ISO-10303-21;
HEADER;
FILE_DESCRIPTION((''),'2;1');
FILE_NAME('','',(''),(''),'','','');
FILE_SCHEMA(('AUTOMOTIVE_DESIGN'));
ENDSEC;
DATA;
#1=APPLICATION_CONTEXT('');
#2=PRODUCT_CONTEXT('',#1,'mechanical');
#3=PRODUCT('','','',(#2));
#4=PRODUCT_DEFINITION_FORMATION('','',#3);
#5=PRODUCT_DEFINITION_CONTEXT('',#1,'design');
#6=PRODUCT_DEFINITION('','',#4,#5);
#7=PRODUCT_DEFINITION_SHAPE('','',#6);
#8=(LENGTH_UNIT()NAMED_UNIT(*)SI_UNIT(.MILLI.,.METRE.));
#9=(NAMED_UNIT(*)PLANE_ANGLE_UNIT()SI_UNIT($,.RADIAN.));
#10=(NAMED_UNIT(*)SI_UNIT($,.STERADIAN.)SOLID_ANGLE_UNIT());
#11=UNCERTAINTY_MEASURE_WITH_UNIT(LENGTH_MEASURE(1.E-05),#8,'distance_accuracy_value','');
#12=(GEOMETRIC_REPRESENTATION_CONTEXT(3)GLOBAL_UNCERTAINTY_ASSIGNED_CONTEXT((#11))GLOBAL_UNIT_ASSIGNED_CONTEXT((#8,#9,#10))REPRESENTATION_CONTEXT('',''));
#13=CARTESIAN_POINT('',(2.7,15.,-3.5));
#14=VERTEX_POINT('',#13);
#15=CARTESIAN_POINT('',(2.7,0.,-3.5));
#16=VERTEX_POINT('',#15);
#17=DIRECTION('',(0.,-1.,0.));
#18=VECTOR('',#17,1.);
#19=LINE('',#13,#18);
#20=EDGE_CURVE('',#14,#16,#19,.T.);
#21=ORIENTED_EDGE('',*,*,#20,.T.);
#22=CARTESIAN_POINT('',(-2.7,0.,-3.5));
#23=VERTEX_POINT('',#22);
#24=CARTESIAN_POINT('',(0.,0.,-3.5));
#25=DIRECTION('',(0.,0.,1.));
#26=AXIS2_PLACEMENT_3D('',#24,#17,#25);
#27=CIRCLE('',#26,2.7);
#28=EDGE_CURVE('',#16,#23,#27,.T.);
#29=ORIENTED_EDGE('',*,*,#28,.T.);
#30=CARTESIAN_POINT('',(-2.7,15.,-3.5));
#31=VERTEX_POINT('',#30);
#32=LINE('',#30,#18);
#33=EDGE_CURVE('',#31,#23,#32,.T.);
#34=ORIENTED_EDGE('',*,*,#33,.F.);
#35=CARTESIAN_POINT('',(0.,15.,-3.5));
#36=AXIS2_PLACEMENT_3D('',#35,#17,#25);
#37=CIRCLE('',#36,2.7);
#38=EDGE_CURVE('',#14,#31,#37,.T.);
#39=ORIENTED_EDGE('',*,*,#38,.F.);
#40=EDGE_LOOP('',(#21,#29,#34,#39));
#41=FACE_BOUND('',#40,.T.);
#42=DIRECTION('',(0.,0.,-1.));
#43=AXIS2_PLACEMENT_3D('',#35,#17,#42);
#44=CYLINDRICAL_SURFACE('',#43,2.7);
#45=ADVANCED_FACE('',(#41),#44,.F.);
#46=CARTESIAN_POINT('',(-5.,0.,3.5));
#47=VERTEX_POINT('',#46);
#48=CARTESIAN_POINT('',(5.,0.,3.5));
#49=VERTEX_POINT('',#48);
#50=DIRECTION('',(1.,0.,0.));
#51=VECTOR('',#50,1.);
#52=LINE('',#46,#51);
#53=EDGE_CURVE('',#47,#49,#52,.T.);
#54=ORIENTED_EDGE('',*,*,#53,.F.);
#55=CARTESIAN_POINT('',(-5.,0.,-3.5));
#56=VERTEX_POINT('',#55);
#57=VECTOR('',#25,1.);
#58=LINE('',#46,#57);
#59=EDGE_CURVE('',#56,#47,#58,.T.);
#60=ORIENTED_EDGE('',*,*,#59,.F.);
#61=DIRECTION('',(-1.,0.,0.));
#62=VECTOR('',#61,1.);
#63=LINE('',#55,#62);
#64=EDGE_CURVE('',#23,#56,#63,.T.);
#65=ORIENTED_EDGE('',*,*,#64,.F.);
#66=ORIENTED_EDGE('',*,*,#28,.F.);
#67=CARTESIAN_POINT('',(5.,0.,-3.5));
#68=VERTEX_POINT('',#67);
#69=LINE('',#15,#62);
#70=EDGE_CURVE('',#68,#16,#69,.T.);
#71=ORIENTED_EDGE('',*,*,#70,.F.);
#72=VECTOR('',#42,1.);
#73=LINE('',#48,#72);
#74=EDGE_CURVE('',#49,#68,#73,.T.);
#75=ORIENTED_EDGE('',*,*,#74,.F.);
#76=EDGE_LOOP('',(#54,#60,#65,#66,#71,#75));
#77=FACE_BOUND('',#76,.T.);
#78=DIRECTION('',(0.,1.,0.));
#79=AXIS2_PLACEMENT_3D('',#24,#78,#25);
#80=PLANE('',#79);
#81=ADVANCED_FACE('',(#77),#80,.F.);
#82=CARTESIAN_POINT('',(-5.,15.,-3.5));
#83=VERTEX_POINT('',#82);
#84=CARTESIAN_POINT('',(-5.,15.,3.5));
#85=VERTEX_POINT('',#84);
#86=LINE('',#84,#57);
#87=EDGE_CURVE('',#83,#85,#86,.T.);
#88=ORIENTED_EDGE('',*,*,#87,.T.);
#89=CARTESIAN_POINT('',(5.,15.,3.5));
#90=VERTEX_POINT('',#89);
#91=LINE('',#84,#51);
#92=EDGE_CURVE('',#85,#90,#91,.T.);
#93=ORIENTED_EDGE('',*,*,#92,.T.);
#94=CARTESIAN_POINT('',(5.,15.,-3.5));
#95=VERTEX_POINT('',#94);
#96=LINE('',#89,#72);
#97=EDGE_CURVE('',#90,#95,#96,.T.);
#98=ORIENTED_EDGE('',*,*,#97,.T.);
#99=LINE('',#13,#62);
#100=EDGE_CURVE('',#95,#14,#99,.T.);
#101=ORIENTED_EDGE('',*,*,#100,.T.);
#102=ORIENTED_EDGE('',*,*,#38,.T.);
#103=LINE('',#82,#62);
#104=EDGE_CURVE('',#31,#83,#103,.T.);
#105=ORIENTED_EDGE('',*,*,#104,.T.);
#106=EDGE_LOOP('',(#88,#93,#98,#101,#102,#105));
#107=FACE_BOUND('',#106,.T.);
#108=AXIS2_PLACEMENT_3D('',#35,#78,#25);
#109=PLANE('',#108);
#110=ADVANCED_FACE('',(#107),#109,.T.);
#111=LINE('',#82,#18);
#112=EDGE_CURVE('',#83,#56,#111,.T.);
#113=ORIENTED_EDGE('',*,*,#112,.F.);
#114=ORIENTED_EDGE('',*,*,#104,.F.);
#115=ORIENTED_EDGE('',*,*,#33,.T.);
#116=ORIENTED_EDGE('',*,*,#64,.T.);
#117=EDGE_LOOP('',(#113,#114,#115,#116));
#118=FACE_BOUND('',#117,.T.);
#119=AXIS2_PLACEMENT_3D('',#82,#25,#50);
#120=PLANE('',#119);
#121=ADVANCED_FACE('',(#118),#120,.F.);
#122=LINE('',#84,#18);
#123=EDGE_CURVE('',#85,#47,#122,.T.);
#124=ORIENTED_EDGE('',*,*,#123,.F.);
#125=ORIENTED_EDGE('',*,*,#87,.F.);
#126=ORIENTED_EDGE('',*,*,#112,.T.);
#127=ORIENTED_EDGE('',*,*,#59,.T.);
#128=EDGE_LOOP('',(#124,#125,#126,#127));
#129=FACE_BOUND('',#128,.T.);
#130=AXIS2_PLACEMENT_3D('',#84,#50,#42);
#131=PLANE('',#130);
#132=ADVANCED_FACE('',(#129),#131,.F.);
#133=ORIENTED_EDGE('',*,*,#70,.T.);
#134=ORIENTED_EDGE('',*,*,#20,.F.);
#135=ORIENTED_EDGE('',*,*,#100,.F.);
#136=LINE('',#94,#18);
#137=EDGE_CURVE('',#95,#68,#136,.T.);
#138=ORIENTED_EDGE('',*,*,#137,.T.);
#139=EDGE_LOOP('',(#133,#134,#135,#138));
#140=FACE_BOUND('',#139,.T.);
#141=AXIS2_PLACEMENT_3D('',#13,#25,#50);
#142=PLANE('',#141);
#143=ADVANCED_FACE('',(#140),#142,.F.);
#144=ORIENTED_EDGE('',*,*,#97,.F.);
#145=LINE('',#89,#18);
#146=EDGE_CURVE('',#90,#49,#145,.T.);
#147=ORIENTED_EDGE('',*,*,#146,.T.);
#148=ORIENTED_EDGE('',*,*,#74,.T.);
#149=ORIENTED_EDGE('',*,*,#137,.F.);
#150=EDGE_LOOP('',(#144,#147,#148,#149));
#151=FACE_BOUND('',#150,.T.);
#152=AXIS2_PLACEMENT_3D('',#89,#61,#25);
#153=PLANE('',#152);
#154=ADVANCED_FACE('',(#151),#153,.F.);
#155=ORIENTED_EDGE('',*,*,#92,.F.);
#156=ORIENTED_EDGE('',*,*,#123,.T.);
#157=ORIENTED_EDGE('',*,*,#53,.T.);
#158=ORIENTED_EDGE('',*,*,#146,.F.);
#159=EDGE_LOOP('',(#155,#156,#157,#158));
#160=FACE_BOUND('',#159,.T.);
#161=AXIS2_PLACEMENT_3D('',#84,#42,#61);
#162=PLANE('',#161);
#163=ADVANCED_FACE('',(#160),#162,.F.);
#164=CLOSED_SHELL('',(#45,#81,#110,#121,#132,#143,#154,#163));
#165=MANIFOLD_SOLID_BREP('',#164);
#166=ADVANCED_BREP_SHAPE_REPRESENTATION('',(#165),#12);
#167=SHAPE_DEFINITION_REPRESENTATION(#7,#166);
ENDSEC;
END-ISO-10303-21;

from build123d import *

# Parameters (mm, degrees)
BOSS_EXTRUDE1_DEPTH = 15


with BuildPart() as part:
    # Sketch1 → Boss-Extrude1 (new body)
    with BuildSketch(Plane(origin=(0, 0, 0), x_dir=(1, 0, 0), z_dir=(0, 1, 0))):
        with BuildLine():
            Line((2.7, 3.5), (5, 3.5))
            Line((5, 3.5), (5, -3.5))
            Line((5, -3.5), (-5, -3.5))
            Line((-5, -3.5), (-5, 3.5))
            Line((-5, 3.5), (-2.7, 3.5))
            ThreePointArc((-2.7, 3.5), (0, 0.8), (2.7, 3.5))
        make_face()
    extrude(amount=BOSS_EXTRUDE1_DEPTH)


solid = part.part
